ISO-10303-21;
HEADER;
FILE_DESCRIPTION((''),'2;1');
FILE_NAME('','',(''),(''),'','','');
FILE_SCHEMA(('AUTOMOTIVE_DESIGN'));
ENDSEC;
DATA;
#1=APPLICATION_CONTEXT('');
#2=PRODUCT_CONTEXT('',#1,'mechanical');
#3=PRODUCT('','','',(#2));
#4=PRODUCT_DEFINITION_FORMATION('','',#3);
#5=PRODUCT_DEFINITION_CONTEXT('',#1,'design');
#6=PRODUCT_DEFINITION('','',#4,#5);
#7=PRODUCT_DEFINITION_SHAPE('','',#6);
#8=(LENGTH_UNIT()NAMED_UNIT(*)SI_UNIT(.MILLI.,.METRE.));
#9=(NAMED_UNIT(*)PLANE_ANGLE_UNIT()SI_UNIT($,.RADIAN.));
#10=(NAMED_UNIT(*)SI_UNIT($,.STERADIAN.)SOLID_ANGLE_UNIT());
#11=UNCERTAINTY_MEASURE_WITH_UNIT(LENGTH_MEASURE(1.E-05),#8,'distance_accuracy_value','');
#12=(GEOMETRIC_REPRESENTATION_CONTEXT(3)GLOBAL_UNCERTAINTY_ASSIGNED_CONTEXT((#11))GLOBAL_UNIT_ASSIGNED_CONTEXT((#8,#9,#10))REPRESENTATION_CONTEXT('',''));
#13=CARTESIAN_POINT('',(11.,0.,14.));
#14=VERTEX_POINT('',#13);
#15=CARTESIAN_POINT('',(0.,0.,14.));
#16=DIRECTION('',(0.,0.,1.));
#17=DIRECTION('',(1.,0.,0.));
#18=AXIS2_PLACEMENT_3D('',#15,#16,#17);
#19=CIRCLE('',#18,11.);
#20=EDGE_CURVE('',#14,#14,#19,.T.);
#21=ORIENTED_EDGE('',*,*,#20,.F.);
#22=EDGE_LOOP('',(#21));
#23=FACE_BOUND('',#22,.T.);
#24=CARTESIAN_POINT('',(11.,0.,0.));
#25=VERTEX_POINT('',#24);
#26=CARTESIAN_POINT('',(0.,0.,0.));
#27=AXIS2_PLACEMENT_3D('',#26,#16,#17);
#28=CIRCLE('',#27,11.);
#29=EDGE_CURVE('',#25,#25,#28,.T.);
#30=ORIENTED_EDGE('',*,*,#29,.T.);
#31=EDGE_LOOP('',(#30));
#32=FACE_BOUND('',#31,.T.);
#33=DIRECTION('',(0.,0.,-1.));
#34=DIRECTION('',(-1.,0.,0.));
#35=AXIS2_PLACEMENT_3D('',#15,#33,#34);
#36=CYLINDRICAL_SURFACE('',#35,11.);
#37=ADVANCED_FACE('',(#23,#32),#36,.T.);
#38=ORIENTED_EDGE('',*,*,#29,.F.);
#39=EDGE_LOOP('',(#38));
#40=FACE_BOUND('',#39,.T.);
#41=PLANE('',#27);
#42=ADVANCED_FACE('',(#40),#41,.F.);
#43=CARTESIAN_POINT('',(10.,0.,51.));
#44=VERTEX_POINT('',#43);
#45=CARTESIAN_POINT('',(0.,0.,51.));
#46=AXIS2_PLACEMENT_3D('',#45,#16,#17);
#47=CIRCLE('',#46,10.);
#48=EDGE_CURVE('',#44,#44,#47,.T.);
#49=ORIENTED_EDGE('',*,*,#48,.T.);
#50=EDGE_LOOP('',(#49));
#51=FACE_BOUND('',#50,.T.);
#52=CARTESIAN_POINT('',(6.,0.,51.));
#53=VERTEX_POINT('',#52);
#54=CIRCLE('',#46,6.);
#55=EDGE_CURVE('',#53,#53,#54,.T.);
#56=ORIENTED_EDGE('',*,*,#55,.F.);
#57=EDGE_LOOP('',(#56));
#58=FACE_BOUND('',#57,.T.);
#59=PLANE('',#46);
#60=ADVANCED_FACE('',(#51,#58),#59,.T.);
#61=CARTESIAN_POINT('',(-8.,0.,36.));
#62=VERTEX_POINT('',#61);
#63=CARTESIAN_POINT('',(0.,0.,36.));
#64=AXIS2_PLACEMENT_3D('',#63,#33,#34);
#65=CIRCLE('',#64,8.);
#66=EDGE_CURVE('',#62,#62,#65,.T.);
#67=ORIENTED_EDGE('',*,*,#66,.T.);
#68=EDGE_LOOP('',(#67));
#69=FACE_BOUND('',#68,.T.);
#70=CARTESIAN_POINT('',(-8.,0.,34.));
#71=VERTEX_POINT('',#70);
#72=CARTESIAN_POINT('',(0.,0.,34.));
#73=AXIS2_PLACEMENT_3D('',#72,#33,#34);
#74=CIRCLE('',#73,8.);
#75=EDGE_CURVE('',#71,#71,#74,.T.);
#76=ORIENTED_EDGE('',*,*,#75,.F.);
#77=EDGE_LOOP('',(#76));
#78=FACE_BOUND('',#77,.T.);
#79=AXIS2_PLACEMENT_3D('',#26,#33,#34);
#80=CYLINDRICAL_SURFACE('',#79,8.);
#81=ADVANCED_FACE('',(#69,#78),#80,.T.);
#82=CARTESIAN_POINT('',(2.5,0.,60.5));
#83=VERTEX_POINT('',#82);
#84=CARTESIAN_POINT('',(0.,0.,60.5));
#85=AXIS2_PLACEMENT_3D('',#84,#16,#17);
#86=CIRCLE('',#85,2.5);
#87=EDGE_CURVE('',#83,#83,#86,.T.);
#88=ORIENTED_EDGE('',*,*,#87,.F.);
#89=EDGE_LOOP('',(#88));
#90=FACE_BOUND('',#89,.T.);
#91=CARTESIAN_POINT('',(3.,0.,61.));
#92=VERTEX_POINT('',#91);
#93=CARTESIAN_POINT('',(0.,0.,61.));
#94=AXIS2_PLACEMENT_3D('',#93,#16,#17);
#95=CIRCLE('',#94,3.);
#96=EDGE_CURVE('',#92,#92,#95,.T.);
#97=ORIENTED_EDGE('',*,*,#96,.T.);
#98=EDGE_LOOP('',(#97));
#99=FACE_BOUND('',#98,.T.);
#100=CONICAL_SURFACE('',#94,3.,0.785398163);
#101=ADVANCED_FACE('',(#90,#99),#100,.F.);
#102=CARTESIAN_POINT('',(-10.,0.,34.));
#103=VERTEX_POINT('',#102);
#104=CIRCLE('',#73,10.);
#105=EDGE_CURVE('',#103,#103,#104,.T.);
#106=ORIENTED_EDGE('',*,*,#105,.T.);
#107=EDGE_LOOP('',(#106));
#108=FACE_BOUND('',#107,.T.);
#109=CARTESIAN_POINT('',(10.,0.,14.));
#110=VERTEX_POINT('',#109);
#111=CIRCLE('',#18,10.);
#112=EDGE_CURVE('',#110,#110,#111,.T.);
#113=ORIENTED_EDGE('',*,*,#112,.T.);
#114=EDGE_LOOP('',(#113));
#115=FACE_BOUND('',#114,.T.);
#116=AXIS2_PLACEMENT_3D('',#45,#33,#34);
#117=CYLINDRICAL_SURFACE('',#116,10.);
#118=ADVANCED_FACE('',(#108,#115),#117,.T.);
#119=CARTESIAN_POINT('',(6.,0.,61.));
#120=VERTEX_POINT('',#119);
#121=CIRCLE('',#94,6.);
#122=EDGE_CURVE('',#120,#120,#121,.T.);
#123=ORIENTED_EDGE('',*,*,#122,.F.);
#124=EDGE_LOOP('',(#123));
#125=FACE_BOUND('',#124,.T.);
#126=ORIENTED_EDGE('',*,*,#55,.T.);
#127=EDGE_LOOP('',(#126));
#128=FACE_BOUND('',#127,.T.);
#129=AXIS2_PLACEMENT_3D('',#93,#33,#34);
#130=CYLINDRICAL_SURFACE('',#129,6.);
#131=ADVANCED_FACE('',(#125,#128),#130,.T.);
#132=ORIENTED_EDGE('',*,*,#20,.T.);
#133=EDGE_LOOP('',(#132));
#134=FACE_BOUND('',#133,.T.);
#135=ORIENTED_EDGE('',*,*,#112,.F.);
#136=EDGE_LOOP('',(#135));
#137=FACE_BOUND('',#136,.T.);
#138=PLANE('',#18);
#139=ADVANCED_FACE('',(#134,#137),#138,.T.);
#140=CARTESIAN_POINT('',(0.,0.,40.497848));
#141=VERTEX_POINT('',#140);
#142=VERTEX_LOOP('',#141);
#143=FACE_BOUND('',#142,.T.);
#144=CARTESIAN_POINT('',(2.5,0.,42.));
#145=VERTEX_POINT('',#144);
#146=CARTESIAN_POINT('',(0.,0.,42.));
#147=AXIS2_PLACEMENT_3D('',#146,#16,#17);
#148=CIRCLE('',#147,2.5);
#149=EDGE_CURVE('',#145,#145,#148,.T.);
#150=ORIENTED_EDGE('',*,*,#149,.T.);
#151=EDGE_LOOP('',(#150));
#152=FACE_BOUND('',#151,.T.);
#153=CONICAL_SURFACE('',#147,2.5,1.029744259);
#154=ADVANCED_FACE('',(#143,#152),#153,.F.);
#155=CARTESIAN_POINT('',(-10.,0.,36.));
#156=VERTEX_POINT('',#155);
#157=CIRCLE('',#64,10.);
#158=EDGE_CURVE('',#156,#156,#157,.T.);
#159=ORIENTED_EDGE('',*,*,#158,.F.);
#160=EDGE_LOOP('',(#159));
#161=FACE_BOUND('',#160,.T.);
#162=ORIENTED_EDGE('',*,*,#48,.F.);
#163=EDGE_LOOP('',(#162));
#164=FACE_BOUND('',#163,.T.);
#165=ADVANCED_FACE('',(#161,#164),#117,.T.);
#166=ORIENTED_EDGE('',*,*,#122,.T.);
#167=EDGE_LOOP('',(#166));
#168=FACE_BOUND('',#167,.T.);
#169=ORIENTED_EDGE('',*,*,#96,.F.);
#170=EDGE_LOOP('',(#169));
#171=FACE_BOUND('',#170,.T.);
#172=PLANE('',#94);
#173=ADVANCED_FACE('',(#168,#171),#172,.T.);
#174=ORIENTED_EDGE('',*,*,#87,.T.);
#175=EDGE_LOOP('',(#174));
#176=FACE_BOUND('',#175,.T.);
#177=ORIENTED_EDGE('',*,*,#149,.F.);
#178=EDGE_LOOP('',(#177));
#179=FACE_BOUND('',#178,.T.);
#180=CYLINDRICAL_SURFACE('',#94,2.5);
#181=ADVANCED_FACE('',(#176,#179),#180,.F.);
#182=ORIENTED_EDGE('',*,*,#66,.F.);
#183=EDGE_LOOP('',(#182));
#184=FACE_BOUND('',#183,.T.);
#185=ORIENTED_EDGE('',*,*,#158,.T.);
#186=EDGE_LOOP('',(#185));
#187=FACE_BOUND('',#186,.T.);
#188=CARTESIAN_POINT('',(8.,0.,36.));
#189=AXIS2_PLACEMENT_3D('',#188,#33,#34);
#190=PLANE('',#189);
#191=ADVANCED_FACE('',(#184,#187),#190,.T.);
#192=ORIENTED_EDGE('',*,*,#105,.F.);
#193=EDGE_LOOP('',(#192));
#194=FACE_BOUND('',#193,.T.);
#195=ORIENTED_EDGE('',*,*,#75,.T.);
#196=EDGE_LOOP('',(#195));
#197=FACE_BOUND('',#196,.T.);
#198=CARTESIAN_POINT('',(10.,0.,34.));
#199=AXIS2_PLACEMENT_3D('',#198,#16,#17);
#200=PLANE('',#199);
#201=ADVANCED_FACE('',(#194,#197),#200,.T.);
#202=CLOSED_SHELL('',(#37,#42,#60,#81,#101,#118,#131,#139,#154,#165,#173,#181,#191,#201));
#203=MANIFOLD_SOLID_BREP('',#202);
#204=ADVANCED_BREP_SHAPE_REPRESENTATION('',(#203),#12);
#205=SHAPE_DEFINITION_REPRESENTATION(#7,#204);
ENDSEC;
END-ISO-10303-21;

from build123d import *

# Parameters (mm, degrees)
ESQUISSE1_R                     = 11
BASE_EXTRUSION_DEPTH            = 14
ESQUISSE2_R                     = 10
BOSS_EXTRU_1_DEPTH              = 37
ESQUISSE3_W                     = 2
ESQUISSE3_H                     = 2
ESQUISSE4_R                     = 6
BOSS_EXTRU_2_DEPTH              = 10
TROU_TARAUD_M6X1_01_D           = 5
TROU_TARAUD_M6X1_01_DEPTH       = 19
TROU_TARAUD_M6X1_01_CSINK_D     = 6
TROU_TARAUD_M6X1_01_CSINK_ANGLE = 90
TROU_TARAUD_M6X1_01_TIP         = 1.502151548


with BuildPart() as part:
    # Esquisse1 → Base-Extrusion (new body)
    with BuildSketch(Plane.XY):
        Circle(ESQUISSE1_R)
    extrude(amount=BASE_EXTRUSION_DEPTH)

    # Esquisse2 → Boss.-Extru.1 (add)
    with BuildSketch(Plane.XY.offset(14)):
        with Locations(Location((0, 0, 0), (0, 0, 180))):
            Circle(ESQUISSE2_R)
    extrude(amount=BOSS_EXTRU_1_DEPTH)

    # Esquisse3 → Enlèvement de matière-Révolution1 (revolve, cut)
    with BuildSketch(Plane(origin=(0, 0, 0), x_dir=(1, 0, 0), z_dir=(0, 1, 0))):
        with Locations((9, -35)):
            Rectangle(ESQUISSE3_W, ESQUISSE3_H)
    revolve(axis=Axis((0, 0, 0), (0, 0, 1)), mode=Mode.SUBTRACT)

    # Esquisse4 → Boss.-Extru.2 (add)
    with BuildSketch(Plane.XY.offset(51)):
        Circle(ESQUISSE4_R)
    extrude(amount=BOSS_EXTRU_2_DEPTH)

    # Trou taraudé M6x1.01
    with Locations(Plane.XY.offset(61)):
        with Locations((0, 0)):
            CounterSinkHole(TROU_TARAUD_M6X1_01_D / 2, TROU_TARAUD_M6X1_01_CSINK_D / 2, depth=TROU_TARAUD_M6X1_01_DEPTH, counter_sink_angle=TROU_TARAUD_M6X1_01_CSINK_ANGLE)
            with Locations((0, 0, -(TROU_TARAUD_M6X1_01_DEPTH + TROU_TARAUD_M6X1_01_TIP / 2))):  # 118° drill point
                Cone(0, TROU_TARAUD_M6X1_01_D / 2, TROU_TARAUD_M6X1_01_TIP, mode=Mode.SUBTRACT)


solid = part.part
